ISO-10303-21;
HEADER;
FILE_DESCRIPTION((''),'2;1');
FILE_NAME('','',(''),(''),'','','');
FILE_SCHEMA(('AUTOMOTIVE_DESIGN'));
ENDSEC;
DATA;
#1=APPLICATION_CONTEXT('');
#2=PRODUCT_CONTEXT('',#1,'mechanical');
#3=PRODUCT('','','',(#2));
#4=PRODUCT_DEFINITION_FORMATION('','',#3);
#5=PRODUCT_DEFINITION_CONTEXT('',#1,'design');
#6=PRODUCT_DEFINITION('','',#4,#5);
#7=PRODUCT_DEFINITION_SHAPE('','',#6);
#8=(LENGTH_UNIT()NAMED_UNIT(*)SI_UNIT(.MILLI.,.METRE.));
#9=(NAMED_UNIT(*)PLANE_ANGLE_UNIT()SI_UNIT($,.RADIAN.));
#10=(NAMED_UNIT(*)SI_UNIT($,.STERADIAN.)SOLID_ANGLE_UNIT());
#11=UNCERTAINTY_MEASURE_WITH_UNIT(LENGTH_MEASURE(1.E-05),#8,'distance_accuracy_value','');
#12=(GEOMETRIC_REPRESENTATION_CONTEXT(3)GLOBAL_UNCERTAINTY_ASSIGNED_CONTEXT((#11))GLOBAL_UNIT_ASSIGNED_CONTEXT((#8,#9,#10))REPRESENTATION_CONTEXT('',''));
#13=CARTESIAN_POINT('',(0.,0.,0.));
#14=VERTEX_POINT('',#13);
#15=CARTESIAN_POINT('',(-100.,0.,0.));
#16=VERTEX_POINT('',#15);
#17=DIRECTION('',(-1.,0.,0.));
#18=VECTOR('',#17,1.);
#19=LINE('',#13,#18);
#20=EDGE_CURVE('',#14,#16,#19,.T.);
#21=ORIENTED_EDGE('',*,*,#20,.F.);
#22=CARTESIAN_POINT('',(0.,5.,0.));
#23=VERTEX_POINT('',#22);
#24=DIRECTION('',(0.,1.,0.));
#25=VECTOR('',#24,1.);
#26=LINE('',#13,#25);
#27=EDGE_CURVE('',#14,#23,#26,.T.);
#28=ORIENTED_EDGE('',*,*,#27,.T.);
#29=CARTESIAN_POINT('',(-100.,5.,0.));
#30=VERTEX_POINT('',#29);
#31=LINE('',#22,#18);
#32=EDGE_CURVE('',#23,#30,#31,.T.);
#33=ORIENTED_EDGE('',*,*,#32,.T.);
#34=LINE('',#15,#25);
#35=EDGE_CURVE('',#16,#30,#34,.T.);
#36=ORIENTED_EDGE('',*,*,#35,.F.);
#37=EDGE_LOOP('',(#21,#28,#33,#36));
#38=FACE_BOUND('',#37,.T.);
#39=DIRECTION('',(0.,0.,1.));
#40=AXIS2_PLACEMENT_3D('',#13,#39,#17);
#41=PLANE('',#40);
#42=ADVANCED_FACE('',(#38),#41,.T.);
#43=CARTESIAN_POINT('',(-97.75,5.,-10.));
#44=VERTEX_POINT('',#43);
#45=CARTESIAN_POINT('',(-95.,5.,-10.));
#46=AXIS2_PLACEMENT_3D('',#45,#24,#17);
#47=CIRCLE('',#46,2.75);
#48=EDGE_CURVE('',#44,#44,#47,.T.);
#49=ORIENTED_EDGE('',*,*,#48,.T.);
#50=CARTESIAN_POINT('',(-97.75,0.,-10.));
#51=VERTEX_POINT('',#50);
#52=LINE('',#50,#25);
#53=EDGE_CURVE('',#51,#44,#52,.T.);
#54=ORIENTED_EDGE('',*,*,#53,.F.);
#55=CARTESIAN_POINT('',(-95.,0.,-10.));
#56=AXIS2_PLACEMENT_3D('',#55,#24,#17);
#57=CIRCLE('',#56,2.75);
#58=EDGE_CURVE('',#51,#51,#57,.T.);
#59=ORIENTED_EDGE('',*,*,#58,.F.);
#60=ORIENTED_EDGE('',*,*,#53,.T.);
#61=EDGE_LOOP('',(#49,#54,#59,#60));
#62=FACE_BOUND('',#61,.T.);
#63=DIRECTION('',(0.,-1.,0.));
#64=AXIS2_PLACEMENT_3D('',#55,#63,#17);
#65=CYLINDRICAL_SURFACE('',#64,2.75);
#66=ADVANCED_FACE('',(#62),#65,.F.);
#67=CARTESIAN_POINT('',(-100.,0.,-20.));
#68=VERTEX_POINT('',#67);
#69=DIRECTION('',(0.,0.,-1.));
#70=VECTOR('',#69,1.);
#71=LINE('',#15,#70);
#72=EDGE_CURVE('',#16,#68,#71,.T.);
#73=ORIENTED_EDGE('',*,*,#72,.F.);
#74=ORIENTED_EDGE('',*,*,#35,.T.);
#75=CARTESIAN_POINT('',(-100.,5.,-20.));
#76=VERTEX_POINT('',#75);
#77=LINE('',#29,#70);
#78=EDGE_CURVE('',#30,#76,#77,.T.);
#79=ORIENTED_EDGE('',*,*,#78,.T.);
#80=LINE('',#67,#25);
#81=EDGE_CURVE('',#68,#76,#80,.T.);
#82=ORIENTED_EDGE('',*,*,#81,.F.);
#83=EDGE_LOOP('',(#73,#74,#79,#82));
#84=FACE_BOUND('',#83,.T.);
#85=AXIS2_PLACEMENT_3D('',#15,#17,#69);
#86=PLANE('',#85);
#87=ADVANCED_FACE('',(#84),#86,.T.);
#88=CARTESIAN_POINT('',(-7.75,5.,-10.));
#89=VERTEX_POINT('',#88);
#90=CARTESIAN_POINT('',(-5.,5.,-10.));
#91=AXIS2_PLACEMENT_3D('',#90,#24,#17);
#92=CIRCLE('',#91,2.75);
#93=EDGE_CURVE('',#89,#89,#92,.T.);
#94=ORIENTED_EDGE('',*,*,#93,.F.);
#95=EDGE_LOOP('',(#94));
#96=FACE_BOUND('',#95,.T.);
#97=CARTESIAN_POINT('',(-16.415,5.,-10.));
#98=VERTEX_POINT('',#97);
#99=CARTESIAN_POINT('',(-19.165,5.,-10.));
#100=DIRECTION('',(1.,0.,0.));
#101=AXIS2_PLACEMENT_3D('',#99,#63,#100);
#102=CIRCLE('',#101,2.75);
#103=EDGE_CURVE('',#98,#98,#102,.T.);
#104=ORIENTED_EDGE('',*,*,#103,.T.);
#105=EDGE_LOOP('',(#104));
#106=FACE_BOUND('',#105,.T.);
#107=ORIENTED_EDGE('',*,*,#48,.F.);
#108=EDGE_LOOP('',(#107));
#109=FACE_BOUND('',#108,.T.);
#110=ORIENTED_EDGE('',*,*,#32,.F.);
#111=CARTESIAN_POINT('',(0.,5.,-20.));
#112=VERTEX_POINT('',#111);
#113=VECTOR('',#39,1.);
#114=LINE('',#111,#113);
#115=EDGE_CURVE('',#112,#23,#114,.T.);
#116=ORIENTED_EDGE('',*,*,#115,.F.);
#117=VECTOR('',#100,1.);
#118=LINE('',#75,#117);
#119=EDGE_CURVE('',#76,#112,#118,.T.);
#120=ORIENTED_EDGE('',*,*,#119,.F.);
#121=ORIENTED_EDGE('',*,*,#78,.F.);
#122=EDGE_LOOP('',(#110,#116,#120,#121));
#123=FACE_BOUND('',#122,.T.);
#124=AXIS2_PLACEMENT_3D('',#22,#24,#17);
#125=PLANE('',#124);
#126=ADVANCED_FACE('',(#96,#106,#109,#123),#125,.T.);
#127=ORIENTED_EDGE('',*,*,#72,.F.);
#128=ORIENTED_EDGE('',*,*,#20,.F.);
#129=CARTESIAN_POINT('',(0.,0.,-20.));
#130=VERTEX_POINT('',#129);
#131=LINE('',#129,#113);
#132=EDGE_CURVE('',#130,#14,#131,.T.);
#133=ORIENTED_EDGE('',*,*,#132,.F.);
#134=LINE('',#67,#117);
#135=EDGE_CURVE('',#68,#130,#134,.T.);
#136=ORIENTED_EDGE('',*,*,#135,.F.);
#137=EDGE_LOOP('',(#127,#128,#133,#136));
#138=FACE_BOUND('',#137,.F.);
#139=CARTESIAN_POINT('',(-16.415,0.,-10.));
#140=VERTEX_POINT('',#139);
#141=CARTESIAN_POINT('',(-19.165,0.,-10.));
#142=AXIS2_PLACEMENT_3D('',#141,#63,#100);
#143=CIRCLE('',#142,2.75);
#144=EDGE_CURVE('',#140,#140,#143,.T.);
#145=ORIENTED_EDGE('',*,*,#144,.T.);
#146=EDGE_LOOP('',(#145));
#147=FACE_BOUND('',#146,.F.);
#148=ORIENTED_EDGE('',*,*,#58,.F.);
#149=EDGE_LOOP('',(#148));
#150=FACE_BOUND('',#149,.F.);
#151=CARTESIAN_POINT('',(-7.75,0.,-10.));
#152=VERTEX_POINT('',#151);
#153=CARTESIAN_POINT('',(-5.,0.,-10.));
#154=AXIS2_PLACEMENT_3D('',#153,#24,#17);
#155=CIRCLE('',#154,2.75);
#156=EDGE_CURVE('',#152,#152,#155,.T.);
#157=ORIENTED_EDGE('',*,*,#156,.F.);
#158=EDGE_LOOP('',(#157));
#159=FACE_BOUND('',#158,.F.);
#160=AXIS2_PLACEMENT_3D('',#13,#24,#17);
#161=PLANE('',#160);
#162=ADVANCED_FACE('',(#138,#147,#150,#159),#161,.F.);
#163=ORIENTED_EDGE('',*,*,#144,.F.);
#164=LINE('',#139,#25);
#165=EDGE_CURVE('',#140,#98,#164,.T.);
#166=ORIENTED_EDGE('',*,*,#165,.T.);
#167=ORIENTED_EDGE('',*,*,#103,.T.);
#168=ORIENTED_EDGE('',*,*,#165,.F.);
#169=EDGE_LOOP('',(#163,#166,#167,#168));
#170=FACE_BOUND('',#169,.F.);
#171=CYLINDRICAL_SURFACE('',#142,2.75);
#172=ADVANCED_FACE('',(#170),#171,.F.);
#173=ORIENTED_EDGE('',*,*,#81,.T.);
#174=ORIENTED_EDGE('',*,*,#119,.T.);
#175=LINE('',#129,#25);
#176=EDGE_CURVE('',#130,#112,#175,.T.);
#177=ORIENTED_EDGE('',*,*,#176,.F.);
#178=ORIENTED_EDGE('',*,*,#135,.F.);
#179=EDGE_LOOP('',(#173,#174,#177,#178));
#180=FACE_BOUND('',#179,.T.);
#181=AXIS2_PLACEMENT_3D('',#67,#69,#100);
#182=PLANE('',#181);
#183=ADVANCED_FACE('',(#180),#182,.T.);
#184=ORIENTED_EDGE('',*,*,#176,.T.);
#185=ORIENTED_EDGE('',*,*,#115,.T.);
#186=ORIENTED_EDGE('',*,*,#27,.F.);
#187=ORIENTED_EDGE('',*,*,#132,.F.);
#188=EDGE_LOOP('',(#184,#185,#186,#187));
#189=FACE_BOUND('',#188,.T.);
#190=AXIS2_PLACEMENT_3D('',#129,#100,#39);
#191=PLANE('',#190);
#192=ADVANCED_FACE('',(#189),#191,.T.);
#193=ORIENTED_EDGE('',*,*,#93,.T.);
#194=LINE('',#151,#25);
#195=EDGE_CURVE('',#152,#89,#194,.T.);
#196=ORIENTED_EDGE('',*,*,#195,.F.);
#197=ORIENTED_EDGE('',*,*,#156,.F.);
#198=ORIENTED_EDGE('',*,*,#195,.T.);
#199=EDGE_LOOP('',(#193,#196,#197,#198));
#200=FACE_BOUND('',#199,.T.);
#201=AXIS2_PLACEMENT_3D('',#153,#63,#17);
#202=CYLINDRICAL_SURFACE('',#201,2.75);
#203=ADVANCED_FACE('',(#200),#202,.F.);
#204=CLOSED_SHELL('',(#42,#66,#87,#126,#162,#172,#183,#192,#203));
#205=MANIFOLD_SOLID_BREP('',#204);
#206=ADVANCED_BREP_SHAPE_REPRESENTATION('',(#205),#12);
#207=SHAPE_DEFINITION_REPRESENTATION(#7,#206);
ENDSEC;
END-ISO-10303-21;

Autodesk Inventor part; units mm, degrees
ref_plane "YZ Plane" through (0, 0, 0) normal (1, 0, 0) x (0, 1, 0)
ref_plane "XZ Plane" through (0, 0, 0) normal (0, 1, 0) x (-1, 0, 0)
ref_plane "XY Plane" through (0, 0, 0) normal (0, 0, 1) x (1, 0, 0)
sketch "Sketch1" plane through (0, 0, 0) normal (0, 1, 0) x (-1, 0, 0)
  line L0 (0, 0) -> (100, 0)
  line L1 (100, 0) -> (100, -20)
  line L2 (100, -20) -> (0, -20)
  line L3 (0, -20) -> (0, 0)
  circle A0 centre (95, -10) radius 2.75
  circle A1 centre (5, -10) radius 2.75
  point P0 (0, -10)
  point P1 (100, -10)
  dimension "d0" = 20
  dimension "d1" = 100
  dimension "d2" = 5.5
  dimension "d3" = 5.5
  dimension "d4" = 5
  dimension "d5" = 5
extrude "Extrusion1" add sketch "Sketch1" along normal blind 5
sketch "Sketch2" plane through (0, 0, 0) normal (0, -1, 0) x (1, 0, 0)
  circle A0 centre (-19.165, -10) radius 2.75
  circle A1 centre (-5, -10) radius 2.75 projected
  line L0 (-100, 0) -> (0, 0) projected
  dimension "d8" = 5.5
  dimension "d9" = 14.165
  dimension "d10" = 10
extrude "Extrusion2" cut sketch "Sketch2" against normal blind 10 contours A0
properties part number "RollYAxis" material "Wood (Birch)"
